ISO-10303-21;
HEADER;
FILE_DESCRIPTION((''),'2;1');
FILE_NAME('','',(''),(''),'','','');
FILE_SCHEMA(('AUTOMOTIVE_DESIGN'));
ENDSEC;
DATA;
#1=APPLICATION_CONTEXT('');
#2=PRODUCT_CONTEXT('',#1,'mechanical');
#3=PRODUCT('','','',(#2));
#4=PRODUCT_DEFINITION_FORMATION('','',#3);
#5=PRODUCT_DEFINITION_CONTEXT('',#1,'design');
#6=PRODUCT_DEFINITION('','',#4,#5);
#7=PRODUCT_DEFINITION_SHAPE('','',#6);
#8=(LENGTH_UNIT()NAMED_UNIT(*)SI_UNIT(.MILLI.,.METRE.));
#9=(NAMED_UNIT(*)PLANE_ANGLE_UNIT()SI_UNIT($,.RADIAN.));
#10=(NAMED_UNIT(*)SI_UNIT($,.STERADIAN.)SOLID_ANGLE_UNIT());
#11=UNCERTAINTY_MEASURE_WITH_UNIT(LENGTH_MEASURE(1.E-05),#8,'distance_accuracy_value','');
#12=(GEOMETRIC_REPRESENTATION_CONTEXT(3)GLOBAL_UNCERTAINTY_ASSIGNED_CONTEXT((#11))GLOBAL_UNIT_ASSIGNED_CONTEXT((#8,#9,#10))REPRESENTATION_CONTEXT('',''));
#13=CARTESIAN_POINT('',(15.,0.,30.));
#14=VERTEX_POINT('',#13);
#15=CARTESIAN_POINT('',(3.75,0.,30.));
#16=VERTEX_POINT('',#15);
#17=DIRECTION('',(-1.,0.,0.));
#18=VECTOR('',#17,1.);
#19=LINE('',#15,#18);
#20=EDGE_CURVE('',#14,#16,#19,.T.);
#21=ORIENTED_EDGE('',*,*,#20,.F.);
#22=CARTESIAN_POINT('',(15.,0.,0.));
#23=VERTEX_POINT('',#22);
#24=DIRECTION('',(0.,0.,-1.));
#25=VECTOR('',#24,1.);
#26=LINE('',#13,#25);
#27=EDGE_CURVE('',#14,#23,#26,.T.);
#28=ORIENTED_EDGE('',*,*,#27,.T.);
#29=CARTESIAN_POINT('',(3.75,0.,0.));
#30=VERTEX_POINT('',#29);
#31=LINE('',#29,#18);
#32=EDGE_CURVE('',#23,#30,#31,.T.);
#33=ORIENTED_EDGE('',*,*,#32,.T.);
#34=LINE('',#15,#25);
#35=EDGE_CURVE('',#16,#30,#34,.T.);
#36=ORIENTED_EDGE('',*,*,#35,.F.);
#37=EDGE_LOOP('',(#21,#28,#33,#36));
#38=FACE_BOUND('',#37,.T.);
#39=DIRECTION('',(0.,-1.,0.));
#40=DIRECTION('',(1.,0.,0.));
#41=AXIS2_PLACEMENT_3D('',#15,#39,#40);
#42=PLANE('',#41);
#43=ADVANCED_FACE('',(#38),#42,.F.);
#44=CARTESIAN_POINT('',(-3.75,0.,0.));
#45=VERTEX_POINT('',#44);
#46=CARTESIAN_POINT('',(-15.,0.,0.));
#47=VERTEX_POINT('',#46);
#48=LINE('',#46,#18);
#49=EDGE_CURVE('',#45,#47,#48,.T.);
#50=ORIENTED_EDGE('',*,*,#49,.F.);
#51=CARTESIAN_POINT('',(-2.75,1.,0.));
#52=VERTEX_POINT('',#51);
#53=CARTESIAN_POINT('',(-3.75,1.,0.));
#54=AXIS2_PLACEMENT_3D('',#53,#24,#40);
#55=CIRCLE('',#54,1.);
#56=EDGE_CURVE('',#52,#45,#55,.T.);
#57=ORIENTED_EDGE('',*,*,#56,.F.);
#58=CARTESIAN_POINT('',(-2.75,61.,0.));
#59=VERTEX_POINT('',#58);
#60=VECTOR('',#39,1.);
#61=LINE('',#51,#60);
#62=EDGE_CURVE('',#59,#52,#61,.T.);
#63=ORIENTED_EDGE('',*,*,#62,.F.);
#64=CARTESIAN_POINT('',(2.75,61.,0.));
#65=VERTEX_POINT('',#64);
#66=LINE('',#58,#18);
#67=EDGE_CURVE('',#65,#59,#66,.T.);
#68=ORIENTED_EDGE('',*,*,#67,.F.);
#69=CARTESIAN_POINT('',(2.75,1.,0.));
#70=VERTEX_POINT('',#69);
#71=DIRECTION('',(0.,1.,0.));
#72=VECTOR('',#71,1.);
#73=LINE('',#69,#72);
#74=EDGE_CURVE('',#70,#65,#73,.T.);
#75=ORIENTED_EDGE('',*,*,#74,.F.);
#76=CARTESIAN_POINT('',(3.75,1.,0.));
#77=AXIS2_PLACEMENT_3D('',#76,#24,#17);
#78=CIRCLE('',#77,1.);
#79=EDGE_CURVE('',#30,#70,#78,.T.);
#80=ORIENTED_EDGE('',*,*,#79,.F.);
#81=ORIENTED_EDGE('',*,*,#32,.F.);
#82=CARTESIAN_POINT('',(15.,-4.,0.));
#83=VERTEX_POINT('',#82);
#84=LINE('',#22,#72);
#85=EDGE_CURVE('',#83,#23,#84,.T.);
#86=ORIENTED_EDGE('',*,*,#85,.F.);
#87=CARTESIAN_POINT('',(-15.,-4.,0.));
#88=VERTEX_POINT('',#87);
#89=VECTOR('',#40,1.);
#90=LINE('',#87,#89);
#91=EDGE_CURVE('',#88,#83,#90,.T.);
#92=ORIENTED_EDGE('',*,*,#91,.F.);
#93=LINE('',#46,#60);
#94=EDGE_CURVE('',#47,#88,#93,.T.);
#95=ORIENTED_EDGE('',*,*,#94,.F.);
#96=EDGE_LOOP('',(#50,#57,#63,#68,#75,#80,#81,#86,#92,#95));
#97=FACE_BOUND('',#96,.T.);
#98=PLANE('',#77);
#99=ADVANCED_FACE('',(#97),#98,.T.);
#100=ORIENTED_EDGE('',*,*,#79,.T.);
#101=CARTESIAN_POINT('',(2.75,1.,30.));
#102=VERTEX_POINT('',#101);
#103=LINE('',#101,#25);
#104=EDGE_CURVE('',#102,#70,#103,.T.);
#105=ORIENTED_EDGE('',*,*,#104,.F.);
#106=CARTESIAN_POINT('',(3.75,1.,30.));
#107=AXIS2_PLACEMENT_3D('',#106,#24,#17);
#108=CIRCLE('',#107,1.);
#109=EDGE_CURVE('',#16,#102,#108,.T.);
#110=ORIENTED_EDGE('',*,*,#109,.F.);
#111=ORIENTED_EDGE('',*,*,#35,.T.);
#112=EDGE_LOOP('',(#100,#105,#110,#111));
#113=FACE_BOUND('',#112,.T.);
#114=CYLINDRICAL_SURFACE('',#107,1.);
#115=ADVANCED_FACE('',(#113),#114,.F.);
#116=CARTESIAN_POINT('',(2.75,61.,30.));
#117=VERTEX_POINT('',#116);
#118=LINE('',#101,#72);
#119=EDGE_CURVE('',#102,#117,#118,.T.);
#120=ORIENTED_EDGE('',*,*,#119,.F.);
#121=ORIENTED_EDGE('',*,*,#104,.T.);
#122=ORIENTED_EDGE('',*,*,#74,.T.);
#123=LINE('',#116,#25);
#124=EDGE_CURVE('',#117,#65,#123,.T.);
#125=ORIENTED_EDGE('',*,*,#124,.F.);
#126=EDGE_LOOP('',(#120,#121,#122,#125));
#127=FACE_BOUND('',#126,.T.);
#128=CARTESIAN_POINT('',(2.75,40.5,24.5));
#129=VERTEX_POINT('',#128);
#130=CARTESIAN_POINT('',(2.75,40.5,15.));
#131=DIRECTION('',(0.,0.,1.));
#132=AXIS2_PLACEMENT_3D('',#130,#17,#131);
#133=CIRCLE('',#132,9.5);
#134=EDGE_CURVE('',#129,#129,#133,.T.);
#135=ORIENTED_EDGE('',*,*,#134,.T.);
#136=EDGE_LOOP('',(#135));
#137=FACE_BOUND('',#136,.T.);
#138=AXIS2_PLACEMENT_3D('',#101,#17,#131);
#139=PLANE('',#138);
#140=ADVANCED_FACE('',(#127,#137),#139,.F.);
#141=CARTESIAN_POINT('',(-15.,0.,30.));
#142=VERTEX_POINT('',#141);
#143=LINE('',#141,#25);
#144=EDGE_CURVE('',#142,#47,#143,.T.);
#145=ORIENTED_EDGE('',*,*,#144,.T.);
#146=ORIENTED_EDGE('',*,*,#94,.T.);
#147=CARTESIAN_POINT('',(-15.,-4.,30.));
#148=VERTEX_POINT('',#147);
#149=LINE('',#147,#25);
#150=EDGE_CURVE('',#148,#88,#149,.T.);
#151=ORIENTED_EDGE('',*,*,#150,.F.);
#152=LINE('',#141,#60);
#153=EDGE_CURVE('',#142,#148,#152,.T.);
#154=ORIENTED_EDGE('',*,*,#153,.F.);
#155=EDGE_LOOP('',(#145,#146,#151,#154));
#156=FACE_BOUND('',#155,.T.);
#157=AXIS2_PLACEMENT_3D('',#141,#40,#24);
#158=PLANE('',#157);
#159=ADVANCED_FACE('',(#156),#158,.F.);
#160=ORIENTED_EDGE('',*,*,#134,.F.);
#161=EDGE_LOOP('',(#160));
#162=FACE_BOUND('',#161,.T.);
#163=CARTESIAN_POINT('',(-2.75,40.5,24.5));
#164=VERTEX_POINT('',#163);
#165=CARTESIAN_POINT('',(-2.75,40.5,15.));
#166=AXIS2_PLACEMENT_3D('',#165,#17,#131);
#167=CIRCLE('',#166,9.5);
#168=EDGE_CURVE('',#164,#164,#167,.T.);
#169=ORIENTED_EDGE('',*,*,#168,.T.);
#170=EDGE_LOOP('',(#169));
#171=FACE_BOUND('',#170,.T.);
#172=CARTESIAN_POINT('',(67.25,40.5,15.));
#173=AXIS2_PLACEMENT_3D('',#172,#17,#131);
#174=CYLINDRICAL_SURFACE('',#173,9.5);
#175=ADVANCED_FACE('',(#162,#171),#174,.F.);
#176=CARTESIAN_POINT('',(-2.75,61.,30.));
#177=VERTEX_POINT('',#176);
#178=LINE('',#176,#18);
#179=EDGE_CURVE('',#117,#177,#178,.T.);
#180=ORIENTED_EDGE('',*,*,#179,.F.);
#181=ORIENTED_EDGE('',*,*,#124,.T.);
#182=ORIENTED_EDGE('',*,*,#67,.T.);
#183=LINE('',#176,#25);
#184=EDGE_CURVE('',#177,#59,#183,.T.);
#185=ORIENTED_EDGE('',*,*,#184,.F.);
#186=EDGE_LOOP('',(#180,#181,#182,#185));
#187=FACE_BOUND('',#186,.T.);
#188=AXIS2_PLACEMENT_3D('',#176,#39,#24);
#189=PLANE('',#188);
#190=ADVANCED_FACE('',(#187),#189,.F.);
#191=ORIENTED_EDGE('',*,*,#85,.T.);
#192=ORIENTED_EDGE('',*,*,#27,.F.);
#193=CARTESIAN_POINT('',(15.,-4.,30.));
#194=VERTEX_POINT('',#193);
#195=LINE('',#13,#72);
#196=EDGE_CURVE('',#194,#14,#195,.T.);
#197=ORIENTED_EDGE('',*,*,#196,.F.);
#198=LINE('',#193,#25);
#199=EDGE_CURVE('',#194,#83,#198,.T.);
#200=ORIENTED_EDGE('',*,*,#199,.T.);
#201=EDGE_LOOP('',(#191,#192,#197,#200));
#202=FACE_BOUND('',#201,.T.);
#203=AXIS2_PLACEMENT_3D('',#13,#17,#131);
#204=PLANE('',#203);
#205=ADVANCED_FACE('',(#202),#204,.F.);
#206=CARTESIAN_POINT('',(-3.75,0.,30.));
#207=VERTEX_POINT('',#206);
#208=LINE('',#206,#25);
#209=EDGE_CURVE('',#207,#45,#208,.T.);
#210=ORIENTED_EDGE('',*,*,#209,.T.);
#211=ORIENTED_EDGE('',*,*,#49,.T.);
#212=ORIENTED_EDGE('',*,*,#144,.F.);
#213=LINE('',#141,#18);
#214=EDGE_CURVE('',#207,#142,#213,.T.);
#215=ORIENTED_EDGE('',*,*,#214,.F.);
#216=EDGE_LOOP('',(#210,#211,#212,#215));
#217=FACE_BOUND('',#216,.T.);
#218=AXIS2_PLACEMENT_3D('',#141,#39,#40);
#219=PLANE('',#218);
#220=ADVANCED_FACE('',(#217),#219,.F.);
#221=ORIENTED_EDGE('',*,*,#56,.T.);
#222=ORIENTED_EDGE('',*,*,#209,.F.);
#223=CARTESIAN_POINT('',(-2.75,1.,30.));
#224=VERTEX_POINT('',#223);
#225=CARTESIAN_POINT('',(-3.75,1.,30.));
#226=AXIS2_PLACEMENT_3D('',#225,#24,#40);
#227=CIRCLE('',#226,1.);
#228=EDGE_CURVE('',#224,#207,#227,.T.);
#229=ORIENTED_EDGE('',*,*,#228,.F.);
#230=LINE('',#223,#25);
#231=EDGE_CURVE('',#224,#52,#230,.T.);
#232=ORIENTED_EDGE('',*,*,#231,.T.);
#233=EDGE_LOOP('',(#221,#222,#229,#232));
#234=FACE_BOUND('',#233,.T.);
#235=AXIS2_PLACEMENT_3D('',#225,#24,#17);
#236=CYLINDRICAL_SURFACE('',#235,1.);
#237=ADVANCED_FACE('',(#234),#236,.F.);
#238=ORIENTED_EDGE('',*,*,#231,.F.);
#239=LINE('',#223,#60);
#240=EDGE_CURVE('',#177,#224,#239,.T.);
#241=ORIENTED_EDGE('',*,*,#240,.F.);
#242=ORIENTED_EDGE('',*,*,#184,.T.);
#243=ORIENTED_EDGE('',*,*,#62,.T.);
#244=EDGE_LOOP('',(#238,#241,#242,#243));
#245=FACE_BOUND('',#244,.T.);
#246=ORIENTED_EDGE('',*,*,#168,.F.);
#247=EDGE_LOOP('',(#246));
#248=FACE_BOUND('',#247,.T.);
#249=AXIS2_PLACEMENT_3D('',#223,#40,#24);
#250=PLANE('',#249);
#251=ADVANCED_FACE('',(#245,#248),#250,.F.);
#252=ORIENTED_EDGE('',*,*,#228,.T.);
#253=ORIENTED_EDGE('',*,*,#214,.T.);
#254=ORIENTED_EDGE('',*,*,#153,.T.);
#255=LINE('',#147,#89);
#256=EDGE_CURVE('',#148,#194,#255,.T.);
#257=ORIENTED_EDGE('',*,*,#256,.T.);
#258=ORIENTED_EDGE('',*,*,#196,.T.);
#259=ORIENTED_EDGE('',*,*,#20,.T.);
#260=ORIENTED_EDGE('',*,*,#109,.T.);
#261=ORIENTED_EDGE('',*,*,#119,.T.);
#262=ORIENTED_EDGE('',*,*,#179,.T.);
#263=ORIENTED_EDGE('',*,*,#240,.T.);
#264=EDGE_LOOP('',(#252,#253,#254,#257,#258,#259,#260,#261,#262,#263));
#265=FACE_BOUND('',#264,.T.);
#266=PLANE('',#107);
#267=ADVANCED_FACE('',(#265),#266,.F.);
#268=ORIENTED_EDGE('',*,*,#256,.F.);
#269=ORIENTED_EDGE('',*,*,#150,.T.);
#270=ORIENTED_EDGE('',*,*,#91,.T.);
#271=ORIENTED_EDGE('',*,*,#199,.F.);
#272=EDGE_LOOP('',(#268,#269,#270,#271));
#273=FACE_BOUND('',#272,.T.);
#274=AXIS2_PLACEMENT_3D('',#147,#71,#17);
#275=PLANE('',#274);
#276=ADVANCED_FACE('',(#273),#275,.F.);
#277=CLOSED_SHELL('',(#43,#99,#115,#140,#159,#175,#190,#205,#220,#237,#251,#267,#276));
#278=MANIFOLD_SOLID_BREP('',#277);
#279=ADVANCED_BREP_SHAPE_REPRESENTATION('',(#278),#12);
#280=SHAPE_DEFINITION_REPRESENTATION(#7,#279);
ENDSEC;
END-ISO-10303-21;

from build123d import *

# Parameters (mm, degrees)
BOSS_EXTRUDE1_DEPTH = 30
SKETCH2_R           = 9.5
CUT_EXTRUDE1_DEPTH  = 70


with BuildPart() as part:
    # Sketch1 → Boss-Extrude1 (new body)
    with BuildSketch(Plane.XY):
        with BuildLine():
            Line((3.75, 0), (15, 0))
            Line((15, 0), (15, -4))
            Line((15, -4), (-15, -4))
            Line((-15, -4), (-15, 0))
            Line((-15, 0), (-3.75, 0))
            ThreePointArc((-3.75, 0), (-3.042893219, 0.292893219), (-2.75, 1))
            Line((-2.75, 1), (-2.75, 61))
            Line((-2.75, 61), (2.75, 61))
            Line((2.75, 61), (2.75, 1))
            ThreePointArc((2.75, 1), (3.042893219, 0.292893219), (3.75, 0))
        make_face()
    extrude(amount=BOSS_EXTRUDE1_DEPTH)

    # Sketch2 → Cut-Extrude1 (cut)
    with BuildSketch(Plane.ZY.offset(2.75)):
        with Locations((15, 40.5)):
            Circle(SKETCH2_R)
    extrude(amount=-CUT_EXTRUDE1_DEPTH, mode=Mode.SUBTRACT)


solid = part.part
